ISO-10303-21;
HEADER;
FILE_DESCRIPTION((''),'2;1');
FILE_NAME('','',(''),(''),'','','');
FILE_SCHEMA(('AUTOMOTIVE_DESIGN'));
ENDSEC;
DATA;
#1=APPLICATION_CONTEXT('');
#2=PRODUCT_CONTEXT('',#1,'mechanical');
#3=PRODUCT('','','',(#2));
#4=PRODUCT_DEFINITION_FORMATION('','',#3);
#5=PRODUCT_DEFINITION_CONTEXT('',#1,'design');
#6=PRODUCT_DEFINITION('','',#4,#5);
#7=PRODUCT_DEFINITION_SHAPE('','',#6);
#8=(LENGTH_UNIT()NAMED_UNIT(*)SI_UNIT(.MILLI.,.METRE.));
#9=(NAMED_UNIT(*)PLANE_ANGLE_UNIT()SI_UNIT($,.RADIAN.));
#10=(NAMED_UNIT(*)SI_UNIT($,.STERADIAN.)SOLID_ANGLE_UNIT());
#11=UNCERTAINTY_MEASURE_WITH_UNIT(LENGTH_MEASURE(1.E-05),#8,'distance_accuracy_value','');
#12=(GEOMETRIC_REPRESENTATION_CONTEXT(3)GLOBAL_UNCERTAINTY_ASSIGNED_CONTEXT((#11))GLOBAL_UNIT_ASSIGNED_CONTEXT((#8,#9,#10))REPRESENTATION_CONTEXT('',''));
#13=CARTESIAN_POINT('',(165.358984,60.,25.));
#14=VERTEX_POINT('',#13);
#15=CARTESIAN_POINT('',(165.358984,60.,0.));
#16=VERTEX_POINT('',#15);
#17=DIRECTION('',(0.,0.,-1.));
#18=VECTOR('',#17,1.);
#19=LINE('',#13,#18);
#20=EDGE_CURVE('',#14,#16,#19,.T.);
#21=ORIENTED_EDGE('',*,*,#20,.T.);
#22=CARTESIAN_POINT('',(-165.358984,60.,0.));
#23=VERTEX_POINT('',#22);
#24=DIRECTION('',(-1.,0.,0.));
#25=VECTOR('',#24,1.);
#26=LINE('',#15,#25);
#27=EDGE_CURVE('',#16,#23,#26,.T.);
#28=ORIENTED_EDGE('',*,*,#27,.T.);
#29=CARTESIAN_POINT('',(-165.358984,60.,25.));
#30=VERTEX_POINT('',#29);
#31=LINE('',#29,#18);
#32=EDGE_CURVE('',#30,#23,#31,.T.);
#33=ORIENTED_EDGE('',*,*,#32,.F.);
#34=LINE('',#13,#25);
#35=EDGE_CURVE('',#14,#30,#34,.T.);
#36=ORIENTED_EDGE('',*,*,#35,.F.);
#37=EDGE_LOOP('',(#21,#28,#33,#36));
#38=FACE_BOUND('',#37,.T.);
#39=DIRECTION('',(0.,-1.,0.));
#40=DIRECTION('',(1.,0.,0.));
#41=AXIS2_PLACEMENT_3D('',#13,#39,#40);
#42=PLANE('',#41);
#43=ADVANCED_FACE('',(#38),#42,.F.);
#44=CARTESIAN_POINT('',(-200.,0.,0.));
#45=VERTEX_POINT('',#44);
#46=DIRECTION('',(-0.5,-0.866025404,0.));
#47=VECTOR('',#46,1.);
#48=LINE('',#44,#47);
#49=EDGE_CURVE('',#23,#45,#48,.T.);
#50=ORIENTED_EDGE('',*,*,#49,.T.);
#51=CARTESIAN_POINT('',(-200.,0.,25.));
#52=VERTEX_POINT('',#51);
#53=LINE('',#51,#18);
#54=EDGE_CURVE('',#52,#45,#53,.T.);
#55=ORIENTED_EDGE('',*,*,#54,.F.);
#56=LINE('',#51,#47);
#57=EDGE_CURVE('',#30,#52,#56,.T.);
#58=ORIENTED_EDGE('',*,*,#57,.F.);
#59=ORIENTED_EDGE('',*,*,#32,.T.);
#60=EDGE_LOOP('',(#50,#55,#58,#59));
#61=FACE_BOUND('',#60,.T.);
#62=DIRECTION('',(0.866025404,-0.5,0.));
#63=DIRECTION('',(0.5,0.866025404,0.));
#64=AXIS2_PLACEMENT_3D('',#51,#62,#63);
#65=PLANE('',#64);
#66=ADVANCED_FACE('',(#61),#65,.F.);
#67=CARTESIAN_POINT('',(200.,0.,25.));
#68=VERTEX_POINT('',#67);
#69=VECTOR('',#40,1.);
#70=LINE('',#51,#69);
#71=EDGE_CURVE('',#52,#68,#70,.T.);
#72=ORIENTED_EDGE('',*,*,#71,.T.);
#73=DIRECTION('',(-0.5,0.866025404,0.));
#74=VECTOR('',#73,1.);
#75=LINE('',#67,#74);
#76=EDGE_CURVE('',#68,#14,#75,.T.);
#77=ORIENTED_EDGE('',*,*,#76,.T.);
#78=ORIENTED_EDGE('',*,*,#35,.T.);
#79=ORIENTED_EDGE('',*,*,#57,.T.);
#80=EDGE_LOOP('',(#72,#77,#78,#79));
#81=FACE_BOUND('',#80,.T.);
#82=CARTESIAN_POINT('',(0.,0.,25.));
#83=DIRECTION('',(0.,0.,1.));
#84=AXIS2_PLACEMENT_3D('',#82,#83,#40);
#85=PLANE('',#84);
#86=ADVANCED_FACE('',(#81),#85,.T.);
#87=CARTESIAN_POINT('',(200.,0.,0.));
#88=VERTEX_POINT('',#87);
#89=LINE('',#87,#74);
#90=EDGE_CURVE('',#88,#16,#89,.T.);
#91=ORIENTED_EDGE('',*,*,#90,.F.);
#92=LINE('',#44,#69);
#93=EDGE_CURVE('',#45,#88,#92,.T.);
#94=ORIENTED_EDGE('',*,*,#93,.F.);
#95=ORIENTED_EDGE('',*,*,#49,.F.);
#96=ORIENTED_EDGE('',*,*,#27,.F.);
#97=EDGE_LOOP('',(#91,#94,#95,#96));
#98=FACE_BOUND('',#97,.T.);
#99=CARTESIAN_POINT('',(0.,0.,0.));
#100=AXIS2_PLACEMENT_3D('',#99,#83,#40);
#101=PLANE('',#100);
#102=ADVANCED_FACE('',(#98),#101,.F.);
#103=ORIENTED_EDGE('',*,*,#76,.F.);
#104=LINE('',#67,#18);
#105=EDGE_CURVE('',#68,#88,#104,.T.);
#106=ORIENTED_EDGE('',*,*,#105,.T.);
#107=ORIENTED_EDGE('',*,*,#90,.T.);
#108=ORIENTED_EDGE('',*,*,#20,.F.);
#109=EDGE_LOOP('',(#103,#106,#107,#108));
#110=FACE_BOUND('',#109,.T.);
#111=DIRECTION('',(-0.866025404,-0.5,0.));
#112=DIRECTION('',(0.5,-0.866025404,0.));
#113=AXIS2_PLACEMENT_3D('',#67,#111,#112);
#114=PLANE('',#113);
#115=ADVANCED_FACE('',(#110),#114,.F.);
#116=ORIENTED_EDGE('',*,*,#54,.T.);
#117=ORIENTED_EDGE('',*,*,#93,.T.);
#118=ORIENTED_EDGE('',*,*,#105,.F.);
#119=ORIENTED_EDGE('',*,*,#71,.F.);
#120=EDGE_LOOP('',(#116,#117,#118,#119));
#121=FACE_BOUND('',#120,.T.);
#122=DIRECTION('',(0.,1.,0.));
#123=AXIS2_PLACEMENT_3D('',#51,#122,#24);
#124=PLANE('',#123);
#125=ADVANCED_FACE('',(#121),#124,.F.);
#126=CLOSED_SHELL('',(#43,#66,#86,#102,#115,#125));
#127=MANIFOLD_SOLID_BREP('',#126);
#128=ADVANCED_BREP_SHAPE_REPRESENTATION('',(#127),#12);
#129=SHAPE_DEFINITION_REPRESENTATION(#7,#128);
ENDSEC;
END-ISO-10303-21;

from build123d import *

# Parameters (mm, degrees)
BOSS_EXTRU_1_DEPTH = 25


with BuildPart() as part:
    # Esquisse1 → Boss.-Extru.1 (new body)
    with BuildSketch(Plane.XY):
        Polygon((-200, 0), (200, 0), (165.358983849, 60), (-165.358983849, 60), align=None)
    extrude(amount=BOSS_EXTRU_1_DEPTH)


solid = part.part
